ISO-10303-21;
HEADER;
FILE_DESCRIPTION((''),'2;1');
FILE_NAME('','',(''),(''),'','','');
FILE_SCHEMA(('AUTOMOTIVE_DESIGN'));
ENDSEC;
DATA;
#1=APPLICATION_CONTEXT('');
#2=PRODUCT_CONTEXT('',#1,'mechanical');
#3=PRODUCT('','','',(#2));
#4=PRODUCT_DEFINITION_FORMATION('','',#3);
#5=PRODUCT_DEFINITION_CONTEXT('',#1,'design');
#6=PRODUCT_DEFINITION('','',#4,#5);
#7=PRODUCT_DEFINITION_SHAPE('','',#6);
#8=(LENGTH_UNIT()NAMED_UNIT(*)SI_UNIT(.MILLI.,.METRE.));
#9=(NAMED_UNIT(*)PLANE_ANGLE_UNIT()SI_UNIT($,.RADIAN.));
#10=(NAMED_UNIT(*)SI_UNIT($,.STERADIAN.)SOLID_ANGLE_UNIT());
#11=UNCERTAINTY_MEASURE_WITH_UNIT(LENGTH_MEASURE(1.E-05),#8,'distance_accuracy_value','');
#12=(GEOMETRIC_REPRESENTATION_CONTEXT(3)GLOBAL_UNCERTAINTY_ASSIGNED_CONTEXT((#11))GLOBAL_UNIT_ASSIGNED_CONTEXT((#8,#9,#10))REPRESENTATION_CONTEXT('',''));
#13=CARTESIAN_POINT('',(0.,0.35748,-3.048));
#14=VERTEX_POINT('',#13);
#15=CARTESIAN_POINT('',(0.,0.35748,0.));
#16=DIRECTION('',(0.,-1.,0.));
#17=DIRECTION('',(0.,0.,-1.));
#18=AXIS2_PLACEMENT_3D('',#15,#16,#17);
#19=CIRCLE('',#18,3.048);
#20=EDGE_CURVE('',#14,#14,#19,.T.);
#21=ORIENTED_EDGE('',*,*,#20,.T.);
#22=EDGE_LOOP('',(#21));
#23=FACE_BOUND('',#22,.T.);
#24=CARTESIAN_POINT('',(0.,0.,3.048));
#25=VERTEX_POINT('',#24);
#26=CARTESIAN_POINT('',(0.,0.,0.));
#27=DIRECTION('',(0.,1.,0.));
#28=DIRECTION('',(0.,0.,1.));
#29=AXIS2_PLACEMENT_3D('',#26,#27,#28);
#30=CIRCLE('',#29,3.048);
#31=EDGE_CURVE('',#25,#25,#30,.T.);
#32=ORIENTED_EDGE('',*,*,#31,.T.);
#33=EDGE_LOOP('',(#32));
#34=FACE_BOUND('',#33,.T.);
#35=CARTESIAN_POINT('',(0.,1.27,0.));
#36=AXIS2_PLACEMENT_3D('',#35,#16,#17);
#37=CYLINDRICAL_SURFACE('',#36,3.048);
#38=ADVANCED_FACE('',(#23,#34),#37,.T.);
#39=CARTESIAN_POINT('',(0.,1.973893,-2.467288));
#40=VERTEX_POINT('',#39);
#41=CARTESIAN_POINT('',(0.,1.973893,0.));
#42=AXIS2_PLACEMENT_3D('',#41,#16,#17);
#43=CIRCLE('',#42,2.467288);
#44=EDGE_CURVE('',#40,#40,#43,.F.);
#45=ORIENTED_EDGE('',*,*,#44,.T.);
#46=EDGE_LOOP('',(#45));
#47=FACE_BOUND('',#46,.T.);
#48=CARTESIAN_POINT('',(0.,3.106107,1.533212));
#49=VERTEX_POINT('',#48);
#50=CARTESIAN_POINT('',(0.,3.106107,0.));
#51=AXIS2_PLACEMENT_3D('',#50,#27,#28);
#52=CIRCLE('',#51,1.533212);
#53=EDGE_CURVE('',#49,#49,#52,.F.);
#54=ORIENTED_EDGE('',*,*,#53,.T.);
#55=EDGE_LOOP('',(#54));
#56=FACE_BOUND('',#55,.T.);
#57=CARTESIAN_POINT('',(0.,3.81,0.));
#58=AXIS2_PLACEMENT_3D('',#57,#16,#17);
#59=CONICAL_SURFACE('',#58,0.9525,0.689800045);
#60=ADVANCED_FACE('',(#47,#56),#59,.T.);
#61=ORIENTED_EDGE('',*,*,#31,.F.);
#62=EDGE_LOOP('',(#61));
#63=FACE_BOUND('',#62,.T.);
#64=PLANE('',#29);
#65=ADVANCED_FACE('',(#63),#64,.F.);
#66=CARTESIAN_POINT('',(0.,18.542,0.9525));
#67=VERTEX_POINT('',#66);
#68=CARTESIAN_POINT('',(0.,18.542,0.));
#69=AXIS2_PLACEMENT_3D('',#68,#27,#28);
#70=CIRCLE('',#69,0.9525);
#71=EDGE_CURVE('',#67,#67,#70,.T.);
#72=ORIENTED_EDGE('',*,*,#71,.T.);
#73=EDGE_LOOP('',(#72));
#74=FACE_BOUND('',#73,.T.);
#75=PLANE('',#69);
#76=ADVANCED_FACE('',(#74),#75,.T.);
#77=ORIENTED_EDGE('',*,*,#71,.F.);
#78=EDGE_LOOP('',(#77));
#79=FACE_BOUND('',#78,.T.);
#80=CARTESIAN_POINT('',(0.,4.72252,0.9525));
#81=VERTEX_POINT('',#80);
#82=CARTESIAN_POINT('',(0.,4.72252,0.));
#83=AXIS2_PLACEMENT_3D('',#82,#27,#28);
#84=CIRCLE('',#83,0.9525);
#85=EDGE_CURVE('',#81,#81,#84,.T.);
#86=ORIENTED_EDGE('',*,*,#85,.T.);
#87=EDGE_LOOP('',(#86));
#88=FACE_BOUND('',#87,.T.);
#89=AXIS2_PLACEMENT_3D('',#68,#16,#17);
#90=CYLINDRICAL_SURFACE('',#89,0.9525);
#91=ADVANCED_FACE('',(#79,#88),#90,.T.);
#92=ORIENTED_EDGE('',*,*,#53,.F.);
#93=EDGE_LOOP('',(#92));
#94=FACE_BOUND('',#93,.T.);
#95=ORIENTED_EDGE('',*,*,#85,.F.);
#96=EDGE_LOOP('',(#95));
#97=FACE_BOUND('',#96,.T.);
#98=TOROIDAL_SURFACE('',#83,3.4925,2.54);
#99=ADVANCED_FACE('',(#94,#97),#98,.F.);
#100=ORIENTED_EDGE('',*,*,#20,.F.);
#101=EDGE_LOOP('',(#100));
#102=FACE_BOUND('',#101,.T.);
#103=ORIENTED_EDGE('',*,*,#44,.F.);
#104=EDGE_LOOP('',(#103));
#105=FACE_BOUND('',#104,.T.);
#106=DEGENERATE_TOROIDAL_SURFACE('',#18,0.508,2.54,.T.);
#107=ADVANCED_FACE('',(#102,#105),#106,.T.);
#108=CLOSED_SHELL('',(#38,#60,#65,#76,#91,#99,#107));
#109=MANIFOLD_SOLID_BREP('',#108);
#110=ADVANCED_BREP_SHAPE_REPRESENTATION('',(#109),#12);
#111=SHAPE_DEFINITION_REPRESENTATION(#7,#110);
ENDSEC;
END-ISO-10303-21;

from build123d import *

# Parameters (mm, degrees)
SKETCH1_R           = 3.048
BOSS_EXTRUDE1_DEPTH = 1.27
SKETCH2_R           = 0.9525
SKETCH3_R           = 0.9525
BOSS_EXTRUDE2_DEPTH = 14.732
FILLET1_R           = 2.54


with BuildPart() as part:
    # Sketch1 → Boss-Extrude1 (new body)
    with BuildSketch(Plane(origin=(0, 0, 0), x_dir=(1, 0, 0), z_dir=(0, 1, 0))):
        with Locations(Location((0, 0, 0), (0, 0, 270))):
            Circle(SKETCH1_R)
    extrude(amount=BOSS_EXTRUDE1_DEPTH)

    # Sketch2 → section 0 of loft1
    with BuildSketch(Plane(origin=(0, 3.81, 0), x_dir=(1, 0, 0), z_dir=(0, 1, 0)), mode=Mode.PRIVATE) as loft1_s0:
        Circle(SKETCH2_R)
    # loft up to a face of the part (loft1)
    loft([loft1_s0.sketch, Face(Wire([part.edges().sort_by_distance((2.221896376, 1.27, -2.086499579))[0]]))])

    # Sketch3 → Boss-Extrude2 (add)
    with BuildSketch(Plane(origin=(0, 3.81, 0), x_dir=(1, 0, 0), z_dir=(0, 1, 0))):
        with Locations(Location((0, 0, 0), (0, 0, 90))):
            Circle(SKETCH3_R)
    extrude(amount=BOSS_EXTRUDE2_DEPTH)

    # Fillet1
    fillet1_edges = [part.edges().sort_by_distance(p)[0] for p in [
        (-2.155261469, 1.27, -2.155261469),
        (-0.673519209, 3.81, 0.673519209),
    ]]
    fillet(fillet1_edges, radius=FILLET1_R)


solid = part.part
